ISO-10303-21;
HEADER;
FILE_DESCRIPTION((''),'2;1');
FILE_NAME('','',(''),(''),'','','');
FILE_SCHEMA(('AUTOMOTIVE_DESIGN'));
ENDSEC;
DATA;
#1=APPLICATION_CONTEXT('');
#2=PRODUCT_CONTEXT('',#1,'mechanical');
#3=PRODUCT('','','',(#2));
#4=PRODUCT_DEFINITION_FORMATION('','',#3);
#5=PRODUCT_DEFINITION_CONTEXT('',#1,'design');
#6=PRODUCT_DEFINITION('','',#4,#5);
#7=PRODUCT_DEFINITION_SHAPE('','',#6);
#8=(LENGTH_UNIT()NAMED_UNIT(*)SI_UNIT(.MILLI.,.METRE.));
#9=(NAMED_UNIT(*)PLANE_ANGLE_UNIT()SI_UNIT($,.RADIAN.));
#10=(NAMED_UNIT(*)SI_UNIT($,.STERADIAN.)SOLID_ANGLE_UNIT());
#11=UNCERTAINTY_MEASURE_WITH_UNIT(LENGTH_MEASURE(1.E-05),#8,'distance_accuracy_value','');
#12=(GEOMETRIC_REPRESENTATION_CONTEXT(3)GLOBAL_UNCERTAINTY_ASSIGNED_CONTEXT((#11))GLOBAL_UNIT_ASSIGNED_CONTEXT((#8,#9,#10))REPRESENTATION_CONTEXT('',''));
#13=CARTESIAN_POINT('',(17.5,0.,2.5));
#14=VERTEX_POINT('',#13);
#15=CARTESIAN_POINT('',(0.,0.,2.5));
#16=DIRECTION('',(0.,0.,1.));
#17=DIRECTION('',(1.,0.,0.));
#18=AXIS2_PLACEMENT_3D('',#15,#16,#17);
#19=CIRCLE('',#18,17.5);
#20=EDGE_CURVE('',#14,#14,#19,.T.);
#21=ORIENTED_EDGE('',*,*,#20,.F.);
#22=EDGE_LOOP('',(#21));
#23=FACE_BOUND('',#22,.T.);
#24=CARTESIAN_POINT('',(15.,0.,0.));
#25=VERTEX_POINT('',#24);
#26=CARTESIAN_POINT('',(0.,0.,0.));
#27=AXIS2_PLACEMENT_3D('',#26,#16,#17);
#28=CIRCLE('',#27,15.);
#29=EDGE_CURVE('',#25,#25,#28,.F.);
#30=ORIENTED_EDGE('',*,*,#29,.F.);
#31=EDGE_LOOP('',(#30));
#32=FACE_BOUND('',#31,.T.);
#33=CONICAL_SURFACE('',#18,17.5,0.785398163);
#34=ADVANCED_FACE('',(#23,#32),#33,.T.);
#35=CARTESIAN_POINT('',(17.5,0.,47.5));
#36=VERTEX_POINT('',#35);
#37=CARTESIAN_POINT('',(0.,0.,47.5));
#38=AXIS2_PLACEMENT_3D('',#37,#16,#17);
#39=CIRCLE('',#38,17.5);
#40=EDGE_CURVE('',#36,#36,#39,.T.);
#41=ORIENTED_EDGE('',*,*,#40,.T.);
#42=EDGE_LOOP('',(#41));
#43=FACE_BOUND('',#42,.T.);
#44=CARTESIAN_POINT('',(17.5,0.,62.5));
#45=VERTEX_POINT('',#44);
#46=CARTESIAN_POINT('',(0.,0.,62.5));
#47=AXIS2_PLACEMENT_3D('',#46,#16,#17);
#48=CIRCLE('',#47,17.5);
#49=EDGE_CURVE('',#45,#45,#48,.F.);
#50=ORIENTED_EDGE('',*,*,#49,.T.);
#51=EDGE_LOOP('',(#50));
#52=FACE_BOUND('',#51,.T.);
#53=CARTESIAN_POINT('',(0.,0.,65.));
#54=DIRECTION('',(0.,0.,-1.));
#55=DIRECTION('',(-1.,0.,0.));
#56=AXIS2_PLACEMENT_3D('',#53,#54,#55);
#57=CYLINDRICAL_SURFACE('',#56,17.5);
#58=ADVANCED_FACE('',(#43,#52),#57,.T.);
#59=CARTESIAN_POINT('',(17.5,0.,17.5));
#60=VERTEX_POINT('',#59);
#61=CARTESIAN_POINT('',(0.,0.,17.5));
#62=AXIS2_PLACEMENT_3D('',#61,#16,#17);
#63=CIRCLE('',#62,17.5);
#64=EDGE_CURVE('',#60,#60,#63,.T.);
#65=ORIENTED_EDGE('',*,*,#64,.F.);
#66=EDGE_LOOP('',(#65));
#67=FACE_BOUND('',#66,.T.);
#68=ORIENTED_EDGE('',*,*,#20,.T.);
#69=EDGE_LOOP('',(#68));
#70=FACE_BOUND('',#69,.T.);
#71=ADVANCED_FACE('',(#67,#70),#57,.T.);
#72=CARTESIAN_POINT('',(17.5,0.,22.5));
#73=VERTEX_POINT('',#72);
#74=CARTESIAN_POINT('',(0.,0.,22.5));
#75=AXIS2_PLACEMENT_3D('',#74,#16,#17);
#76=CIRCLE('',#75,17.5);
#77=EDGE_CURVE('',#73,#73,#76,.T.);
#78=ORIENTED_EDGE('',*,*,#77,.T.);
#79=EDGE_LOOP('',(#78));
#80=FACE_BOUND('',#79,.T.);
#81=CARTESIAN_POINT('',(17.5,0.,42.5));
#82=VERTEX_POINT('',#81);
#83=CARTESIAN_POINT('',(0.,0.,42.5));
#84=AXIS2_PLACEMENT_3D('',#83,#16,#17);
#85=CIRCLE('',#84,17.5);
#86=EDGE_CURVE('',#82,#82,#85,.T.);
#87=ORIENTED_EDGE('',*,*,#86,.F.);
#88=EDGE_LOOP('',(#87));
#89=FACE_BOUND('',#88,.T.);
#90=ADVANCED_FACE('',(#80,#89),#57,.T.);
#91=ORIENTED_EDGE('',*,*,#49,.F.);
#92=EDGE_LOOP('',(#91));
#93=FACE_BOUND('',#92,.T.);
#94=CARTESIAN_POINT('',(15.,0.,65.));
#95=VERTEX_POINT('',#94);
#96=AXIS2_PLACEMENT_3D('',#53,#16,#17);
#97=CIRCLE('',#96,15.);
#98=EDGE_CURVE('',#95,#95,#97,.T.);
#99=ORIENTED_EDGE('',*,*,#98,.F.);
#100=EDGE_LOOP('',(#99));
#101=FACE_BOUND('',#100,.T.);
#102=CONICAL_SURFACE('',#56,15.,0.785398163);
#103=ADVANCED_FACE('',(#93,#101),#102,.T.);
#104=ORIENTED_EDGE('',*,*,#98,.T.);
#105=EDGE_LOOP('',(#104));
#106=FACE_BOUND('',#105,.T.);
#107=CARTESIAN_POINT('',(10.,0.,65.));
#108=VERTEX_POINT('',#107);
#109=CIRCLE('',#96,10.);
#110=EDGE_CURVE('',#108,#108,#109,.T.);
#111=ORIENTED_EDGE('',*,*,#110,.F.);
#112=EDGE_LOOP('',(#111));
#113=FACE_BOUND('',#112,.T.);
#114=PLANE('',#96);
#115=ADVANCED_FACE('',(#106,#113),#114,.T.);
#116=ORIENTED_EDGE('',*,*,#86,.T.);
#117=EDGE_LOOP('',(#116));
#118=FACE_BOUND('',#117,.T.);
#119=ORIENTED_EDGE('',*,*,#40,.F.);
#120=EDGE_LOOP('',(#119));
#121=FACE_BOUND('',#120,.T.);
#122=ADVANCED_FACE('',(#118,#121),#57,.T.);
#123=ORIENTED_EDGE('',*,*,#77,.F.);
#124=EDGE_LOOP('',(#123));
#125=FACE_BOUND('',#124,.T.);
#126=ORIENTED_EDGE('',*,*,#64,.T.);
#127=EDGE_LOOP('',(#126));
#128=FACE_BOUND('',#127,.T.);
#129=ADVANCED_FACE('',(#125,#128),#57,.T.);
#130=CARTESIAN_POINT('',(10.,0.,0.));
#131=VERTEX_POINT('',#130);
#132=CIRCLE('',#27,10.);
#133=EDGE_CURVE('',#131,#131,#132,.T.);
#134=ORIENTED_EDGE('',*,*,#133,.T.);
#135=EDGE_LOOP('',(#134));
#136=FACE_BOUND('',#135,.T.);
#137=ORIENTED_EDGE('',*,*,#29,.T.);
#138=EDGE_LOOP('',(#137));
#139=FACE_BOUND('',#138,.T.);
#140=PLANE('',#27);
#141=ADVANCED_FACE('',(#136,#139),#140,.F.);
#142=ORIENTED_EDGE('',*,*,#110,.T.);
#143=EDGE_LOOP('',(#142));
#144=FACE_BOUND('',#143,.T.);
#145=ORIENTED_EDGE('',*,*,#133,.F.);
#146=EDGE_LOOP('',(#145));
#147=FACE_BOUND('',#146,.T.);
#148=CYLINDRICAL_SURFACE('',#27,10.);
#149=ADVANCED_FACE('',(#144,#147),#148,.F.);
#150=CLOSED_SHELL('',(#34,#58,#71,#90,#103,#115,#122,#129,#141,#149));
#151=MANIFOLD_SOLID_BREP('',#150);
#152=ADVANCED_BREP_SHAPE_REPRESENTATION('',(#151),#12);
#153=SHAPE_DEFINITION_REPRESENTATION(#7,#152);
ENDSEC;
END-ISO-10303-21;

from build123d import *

# Parameters (mm, degrees)
SKETCH1_R               = 17.5
BOSS_EXTRUDE1_DEPTH     = 65
SKETCH2_R               = 10
CUT_EXTRUDE1_DEPTH      = 1
CUT_EXTRUDE1_DEPTH_BACK = 66
CHAMFER1_SIZE           = 2.5


with BuildPart() as part:
    # Sketch1 → Boss-Extrude1 (new body)
    with BuildSketch(Plane.XY):
        Circle(SKETCH1_R)
    extrude(amount=BOSS_EXTRUDE1_DEPTH)

    # Sketch2 → Cut-Extrude1 (cut, two sides)
    with BuildSketch(Plane.XY.offset(65)) as cut_extrude1_sk:
        Circle(SKETCH2_R)
    extrude(amount=CUT_EXTRUDE1_DEPTH, mode=Mode.SUBTRACT)
    extrude(cut_extrude1_sk.sketch, amount=-CUT_EXTRUDE1_DEPTH_BACK, mode=Mode.SUBTRACT)

    # Chamfer1
    chamfer1_edges = [part.edges().sort_by_distance(p)[0] for p in [
        (-17.5, 0, 0),
        (-17.5, 0, 65),
    ]]
    chamfer(chamfer1_edges, length=CHAMFER1_SIZE)


solid = part.part
